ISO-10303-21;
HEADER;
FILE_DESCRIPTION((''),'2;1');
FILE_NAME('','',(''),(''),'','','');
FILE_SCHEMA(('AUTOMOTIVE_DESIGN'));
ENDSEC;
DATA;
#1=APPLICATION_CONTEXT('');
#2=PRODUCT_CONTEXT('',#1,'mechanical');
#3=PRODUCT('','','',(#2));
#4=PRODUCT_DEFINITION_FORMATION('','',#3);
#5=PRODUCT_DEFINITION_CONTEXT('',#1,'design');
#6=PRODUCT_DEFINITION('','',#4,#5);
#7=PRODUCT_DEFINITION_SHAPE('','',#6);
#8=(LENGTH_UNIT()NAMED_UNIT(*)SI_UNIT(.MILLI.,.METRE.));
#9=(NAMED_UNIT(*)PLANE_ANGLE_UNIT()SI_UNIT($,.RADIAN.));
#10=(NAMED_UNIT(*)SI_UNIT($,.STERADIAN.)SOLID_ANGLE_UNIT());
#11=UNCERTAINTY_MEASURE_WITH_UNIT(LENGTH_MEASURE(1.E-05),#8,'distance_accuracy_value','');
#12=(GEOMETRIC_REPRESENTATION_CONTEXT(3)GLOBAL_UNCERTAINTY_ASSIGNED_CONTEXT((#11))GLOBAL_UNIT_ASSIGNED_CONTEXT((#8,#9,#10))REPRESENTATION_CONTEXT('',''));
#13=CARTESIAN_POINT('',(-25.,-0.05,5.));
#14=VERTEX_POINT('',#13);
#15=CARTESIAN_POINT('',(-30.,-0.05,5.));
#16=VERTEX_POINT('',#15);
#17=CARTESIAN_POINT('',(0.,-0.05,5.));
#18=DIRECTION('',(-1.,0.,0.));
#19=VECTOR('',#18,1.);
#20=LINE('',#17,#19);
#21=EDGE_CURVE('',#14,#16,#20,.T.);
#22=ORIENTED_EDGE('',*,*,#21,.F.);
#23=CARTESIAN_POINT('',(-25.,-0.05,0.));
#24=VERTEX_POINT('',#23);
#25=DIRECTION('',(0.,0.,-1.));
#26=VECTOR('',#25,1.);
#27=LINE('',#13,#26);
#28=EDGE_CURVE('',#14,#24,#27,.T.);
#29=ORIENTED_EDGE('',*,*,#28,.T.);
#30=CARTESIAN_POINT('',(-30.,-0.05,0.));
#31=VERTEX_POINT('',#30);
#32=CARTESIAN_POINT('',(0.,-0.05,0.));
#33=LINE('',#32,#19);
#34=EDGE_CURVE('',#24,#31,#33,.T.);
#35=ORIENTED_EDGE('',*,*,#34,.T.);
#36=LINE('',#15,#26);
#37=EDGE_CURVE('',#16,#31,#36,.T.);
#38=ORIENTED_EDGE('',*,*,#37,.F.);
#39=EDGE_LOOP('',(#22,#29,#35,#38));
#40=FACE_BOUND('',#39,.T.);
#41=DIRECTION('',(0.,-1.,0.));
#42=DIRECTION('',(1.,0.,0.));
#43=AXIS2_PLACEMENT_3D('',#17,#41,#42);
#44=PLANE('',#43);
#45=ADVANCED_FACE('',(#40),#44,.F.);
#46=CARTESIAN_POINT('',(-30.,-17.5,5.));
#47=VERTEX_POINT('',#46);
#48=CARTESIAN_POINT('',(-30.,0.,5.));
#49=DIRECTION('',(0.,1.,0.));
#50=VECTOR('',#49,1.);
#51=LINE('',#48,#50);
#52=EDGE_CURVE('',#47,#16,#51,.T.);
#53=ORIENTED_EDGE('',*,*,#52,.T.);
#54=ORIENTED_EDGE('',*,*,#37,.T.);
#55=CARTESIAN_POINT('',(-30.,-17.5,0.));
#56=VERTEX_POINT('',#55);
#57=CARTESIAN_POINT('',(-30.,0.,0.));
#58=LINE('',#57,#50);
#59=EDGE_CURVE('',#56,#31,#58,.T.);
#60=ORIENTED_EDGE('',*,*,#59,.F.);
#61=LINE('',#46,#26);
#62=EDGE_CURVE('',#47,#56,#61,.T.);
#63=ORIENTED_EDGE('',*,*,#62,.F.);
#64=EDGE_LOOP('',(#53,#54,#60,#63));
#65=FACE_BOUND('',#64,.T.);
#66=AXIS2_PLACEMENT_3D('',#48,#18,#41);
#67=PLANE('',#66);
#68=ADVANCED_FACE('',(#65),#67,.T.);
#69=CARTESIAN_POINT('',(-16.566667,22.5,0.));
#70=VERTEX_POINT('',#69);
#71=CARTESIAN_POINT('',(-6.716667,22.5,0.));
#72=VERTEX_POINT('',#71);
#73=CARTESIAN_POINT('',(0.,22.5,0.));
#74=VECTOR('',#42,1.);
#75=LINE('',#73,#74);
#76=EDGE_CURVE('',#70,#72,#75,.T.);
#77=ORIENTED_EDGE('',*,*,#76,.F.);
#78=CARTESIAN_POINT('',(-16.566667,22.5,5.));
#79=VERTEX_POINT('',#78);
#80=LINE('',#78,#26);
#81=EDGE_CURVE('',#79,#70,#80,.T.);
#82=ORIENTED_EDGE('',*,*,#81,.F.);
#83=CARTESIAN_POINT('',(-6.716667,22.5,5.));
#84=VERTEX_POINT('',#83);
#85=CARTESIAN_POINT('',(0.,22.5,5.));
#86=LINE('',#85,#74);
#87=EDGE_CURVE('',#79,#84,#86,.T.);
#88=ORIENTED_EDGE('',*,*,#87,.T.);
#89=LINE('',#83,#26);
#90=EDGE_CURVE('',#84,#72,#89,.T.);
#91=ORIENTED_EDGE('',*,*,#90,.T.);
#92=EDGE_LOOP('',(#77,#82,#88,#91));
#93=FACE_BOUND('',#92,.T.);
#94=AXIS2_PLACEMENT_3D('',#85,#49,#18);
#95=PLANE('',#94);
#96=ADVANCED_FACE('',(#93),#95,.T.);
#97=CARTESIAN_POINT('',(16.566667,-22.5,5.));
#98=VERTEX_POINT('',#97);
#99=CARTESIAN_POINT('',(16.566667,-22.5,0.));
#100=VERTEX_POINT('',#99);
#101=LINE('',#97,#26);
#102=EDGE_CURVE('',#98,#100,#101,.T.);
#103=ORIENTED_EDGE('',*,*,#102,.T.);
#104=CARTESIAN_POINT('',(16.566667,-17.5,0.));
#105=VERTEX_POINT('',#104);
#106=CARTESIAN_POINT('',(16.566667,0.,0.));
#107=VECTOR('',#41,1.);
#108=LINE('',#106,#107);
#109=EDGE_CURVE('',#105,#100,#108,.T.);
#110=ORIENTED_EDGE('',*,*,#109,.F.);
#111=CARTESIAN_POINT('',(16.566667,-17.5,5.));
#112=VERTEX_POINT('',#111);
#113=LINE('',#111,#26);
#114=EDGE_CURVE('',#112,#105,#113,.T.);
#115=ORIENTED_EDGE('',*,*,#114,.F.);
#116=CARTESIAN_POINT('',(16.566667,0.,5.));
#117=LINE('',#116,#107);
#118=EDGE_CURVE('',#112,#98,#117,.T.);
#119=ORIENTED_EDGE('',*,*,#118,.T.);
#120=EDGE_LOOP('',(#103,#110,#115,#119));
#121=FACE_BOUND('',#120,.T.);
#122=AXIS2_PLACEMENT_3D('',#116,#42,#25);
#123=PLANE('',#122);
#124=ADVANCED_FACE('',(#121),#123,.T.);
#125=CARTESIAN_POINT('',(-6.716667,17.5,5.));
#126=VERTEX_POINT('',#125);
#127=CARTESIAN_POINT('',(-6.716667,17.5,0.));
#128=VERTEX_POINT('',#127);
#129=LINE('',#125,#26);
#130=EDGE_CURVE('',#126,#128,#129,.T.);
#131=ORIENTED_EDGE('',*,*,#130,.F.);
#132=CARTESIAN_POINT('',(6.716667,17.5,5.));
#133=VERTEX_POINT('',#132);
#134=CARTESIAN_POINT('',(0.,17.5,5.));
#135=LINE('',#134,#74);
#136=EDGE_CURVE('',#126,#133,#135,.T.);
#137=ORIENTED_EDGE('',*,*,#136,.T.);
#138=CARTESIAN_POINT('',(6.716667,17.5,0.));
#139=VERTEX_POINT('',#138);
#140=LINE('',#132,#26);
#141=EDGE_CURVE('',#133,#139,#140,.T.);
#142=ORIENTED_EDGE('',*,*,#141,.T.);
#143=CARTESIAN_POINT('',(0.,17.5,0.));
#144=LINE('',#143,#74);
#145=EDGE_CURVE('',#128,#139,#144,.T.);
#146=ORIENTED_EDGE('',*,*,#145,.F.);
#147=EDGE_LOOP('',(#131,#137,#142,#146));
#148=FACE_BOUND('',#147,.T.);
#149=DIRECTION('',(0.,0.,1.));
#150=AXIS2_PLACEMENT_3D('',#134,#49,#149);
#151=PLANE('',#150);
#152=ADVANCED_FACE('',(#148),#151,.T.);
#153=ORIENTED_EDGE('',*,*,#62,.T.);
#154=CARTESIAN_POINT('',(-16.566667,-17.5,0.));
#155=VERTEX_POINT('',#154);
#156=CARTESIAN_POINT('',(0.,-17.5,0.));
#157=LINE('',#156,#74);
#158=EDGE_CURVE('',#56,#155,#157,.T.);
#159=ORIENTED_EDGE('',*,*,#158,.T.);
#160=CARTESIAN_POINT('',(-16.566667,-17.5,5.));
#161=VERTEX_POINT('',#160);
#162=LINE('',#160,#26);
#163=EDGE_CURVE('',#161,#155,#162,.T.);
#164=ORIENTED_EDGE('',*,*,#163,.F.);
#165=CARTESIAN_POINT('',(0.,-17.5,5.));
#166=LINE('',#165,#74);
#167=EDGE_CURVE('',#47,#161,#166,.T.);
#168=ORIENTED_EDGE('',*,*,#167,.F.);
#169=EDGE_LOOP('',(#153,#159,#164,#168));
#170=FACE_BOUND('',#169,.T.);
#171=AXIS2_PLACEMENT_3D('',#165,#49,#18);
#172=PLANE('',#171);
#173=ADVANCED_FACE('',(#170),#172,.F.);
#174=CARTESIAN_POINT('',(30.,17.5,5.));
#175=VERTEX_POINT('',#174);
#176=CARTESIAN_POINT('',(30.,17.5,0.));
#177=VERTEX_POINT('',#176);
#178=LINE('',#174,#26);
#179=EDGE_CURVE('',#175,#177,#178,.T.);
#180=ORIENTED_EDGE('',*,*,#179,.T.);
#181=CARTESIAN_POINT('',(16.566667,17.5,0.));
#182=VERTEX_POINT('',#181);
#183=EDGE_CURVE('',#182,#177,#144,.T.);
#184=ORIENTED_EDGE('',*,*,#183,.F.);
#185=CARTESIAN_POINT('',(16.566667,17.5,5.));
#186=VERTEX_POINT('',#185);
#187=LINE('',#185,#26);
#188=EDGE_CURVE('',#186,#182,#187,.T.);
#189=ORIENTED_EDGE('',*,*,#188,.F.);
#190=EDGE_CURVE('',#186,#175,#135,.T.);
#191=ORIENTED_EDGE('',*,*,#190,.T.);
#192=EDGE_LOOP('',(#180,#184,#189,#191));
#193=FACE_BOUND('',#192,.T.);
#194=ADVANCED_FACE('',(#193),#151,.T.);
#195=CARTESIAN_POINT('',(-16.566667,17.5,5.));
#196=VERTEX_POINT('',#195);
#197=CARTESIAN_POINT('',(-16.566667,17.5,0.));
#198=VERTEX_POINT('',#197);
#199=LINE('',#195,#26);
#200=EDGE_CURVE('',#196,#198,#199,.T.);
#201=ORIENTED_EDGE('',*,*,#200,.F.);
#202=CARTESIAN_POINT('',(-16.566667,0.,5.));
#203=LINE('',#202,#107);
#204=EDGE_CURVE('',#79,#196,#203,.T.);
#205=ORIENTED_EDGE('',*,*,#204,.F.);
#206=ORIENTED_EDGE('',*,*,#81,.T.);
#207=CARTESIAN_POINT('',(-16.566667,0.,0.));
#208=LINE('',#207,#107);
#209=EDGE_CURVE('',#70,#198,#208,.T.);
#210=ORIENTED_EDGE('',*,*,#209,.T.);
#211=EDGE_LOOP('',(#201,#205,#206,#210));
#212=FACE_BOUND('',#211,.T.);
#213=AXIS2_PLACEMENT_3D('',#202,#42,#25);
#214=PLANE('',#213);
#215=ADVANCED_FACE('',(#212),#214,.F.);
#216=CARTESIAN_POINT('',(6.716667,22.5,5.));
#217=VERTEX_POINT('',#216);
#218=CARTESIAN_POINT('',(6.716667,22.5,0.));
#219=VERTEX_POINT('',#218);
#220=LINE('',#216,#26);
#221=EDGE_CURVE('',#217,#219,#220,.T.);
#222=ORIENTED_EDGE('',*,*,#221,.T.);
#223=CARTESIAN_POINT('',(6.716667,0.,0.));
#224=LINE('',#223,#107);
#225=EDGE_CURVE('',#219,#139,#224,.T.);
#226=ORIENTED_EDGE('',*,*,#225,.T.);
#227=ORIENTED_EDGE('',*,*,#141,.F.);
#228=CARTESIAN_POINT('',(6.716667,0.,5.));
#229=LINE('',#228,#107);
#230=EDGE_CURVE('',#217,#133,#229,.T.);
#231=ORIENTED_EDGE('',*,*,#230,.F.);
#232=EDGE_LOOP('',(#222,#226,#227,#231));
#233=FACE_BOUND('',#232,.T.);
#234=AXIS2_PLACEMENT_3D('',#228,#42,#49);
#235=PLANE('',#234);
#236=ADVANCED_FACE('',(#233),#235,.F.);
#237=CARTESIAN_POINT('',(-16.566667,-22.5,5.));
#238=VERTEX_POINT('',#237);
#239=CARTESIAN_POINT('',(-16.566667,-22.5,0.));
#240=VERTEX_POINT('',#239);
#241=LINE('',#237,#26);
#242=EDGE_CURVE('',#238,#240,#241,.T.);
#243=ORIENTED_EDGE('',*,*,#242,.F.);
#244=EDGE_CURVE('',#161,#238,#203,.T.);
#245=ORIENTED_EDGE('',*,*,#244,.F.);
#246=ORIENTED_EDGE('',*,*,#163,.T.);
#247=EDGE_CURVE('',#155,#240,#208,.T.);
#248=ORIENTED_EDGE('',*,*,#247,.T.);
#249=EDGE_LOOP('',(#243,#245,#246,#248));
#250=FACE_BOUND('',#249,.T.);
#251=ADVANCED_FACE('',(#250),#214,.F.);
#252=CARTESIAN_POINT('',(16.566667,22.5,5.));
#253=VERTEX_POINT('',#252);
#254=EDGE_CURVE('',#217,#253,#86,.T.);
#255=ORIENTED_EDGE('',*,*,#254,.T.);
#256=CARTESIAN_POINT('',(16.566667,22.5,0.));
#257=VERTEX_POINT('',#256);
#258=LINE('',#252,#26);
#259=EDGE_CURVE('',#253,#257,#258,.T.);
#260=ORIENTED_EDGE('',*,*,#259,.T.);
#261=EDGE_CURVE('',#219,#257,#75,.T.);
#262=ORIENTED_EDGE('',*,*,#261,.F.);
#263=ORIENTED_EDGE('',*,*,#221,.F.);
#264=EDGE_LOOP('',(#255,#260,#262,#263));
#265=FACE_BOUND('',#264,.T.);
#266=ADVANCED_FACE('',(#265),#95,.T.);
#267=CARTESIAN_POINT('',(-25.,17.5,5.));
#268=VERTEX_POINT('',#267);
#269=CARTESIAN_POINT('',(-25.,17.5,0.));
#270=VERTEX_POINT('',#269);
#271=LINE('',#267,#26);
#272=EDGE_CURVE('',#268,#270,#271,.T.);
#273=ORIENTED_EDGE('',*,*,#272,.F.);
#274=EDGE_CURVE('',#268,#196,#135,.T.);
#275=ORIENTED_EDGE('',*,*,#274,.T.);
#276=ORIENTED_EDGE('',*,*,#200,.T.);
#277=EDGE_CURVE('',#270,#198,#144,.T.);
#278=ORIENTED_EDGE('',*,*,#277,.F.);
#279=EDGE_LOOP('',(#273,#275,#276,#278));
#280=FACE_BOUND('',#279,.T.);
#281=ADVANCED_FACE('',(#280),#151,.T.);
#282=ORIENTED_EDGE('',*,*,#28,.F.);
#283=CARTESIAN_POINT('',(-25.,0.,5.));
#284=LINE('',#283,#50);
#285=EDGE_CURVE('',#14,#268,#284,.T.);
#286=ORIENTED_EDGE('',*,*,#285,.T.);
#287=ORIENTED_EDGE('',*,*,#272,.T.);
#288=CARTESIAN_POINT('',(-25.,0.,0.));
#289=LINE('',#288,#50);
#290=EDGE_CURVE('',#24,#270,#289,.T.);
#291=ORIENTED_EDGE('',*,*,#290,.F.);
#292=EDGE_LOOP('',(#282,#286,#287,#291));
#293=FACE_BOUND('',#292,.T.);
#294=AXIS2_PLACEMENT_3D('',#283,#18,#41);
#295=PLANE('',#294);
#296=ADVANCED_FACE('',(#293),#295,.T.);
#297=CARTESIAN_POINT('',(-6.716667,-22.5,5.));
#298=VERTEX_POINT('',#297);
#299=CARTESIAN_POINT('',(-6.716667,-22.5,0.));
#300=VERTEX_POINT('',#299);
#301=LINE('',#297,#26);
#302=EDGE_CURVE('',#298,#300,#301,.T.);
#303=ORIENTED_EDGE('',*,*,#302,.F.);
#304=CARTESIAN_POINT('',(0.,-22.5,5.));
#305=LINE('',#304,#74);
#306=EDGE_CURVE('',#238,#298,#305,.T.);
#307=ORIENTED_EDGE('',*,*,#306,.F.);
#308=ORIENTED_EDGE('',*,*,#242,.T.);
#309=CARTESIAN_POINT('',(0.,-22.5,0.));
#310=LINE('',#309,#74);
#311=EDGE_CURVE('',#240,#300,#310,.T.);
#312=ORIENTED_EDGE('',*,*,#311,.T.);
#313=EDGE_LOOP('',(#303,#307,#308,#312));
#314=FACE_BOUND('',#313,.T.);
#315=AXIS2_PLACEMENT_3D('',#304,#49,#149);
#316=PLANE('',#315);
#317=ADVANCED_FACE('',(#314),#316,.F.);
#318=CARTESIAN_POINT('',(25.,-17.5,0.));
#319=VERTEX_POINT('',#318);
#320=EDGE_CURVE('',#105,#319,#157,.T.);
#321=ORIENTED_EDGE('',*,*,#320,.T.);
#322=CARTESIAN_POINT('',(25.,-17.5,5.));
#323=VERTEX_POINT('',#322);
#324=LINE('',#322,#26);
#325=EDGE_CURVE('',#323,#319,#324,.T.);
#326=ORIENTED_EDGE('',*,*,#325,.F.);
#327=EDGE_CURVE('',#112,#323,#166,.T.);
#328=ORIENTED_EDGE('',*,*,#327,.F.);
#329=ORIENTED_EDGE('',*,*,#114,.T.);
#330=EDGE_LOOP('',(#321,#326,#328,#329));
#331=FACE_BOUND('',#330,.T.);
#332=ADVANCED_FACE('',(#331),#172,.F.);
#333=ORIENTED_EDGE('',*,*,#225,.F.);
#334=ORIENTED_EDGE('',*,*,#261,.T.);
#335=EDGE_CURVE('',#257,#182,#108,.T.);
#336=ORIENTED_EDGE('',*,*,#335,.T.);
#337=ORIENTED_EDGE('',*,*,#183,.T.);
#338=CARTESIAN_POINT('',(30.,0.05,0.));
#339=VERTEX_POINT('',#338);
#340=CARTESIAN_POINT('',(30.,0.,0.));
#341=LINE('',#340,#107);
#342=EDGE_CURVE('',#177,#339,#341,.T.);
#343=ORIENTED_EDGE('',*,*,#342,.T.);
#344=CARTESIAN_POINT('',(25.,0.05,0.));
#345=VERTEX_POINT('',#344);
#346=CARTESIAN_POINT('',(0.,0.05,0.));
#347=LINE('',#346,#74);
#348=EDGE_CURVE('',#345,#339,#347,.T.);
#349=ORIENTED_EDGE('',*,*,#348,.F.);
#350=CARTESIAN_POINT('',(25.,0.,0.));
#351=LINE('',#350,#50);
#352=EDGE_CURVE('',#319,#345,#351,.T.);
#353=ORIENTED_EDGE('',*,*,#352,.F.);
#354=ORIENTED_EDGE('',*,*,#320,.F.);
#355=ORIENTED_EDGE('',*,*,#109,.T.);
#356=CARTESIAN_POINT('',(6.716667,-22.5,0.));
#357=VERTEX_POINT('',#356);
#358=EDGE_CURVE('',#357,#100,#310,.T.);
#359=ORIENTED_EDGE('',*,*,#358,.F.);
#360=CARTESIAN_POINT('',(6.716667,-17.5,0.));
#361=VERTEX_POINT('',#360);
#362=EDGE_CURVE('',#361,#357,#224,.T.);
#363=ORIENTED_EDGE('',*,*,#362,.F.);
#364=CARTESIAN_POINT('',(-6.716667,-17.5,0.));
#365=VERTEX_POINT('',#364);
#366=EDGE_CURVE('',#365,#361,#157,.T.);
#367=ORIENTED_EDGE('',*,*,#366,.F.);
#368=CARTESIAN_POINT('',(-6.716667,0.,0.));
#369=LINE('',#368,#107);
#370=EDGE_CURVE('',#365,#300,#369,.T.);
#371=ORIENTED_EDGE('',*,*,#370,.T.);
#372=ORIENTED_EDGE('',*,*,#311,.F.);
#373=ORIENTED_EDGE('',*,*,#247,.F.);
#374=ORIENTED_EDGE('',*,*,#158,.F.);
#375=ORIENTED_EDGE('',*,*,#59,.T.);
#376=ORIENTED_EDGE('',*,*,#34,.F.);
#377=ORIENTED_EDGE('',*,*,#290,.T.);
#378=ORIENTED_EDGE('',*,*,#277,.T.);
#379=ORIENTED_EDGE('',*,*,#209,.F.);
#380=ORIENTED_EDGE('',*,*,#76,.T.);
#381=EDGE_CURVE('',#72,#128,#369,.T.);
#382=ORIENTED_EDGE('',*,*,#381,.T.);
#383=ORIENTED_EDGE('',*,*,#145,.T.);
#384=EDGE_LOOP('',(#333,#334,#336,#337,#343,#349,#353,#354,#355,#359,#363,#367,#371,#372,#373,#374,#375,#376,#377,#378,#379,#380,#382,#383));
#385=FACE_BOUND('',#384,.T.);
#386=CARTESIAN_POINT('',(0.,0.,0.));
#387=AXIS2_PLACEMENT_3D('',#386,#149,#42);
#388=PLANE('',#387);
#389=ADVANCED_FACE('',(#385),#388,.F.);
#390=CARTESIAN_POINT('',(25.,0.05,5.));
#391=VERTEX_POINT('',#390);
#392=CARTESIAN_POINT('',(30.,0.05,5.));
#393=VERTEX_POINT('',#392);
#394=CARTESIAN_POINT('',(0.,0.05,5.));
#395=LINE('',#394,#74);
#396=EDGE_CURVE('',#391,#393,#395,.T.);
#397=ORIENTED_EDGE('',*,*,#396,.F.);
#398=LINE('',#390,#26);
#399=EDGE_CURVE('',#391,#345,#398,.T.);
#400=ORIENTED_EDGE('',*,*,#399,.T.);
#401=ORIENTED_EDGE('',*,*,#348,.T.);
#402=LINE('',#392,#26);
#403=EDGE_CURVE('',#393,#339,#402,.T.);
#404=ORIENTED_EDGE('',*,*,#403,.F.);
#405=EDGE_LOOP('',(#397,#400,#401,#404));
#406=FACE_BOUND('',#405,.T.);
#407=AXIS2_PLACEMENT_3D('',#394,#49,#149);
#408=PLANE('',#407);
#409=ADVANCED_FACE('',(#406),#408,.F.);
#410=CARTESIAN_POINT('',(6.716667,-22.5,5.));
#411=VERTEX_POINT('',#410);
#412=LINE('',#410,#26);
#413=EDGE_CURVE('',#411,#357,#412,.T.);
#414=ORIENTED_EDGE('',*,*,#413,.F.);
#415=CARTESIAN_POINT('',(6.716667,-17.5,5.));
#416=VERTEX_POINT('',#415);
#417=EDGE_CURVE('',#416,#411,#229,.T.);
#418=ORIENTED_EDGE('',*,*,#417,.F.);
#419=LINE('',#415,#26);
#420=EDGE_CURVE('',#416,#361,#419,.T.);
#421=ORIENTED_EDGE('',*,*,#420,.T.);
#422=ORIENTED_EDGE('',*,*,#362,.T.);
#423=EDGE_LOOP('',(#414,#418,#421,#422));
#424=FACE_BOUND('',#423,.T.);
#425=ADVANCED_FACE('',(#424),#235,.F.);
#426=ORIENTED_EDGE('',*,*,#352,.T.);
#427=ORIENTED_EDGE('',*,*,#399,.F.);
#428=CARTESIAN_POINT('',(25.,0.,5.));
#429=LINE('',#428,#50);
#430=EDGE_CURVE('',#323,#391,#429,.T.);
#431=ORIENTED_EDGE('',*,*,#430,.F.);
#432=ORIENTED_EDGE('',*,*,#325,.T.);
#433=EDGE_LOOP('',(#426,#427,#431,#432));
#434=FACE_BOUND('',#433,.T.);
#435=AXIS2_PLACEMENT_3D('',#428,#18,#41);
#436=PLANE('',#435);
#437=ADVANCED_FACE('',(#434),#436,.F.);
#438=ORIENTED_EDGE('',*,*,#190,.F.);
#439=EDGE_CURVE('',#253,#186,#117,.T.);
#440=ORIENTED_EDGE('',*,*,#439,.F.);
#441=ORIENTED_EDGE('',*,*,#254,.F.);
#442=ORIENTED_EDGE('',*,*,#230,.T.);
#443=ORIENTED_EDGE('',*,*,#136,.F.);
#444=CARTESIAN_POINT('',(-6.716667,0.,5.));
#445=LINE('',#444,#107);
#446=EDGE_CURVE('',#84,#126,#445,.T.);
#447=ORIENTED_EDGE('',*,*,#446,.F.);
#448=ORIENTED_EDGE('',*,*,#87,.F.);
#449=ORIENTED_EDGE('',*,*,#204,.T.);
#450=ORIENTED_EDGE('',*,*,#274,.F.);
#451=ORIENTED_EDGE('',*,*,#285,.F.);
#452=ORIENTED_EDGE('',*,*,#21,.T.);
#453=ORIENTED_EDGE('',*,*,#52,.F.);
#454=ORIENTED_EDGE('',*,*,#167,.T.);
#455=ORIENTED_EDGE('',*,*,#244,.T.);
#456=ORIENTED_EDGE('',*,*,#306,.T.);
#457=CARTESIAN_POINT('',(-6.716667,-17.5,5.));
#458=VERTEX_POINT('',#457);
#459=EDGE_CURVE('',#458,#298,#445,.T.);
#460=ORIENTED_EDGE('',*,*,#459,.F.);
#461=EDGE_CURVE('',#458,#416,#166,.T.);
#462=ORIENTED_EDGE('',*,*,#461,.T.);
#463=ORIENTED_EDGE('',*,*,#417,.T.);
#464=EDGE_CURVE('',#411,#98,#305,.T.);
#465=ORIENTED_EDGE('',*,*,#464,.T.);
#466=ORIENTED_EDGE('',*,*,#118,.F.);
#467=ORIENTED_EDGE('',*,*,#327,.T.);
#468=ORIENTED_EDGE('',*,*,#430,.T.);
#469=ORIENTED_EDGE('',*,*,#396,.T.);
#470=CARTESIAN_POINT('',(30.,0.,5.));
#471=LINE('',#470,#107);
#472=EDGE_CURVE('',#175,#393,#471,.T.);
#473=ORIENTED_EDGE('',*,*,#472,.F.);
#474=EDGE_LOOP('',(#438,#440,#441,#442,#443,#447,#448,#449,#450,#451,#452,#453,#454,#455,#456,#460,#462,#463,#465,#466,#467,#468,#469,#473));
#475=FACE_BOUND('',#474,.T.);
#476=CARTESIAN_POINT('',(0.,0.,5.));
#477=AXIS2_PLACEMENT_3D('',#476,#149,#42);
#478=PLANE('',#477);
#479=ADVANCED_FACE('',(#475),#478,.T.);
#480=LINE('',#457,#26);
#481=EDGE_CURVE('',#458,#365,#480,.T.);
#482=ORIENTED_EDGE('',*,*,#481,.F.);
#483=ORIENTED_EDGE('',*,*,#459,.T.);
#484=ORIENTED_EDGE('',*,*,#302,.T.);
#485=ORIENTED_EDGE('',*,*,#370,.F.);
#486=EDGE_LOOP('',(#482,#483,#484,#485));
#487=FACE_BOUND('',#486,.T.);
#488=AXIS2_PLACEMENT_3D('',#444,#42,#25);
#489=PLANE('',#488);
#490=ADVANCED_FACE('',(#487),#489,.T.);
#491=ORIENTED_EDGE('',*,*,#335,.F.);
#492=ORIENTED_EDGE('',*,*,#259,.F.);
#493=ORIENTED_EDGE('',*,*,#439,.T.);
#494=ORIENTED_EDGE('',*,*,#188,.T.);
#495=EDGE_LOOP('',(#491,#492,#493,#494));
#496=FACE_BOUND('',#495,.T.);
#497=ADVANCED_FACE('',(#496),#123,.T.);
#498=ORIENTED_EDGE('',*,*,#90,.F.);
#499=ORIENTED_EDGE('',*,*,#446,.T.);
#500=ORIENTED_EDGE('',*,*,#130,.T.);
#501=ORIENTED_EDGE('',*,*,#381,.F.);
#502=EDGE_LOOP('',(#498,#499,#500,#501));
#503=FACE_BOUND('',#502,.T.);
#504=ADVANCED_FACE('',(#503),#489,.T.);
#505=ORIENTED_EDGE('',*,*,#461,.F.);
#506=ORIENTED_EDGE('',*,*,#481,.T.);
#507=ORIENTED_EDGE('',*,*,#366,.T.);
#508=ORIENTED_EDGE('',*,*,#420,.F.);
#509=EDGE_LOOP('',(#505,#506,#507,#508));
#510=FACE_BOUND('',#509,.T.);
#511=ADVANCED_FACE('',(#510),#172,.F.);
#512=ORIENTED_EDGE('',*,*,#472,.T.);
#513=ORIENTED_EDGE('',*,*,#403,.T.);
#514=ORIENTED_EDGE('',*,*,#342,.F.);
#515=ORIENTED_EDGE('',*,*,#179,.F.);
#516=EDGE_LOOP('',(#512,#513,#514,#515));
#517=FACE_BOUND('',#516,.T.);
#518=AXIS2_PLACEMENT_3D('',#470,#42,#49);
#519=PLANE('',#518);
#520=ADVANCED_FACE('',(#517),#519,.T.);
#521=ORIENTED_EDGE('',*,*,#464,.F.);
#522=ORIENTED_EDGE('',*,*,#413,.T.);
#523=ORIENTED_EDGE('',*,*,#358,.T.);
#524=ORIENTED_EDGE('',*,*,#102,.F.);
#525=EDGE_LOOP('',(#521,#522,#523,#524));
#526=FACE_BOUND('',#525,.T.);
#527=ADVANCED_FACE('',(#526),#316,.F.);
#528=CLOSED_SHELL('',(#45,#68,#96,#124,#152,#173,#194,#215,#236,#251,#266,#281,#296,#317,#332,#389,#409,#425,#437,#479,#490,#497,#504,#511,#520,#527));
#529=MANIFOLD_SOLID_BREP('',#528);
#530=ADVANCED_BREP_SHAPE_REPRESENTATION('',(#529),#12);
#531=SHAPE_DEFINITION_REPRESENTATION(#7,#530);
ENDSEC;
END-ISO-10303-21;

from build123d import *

# Parameters (mm, degrees)
SKETCH2_W           = 50
SKETCH2_H           = 35
SKETCH2_W_2         = 5
SKETCH2_H_2         = 17.45
SKETCH2_W_3         = 9.85
SKETCH2_H_3         = 5
BOSS_EXTRUDE1_DEPTH = 5


with BuildPart() as part:
    # Sketch2 → Boss-Extrude1 (new body)
    with BuildSketch(Plane.XY):
        Rectangle(SKETCH2_W, SKETCH2_H)
        with Locations((-27.5, -8.775)):
            Rectangle(SKETCH2_W_2, SKETCH2_H_2)
        with Locations((-11.641666667, 20)):
            Rectangle(SKETCH2_W_3, SKETCH2_H_3)
        with Locations((11.641666667, 20)):
            Rectangle(SKETCH2_W_3, SKETCH2_H_3)
        with Locations((27.5, 8.775)):
            Rectangle(SKETCH2_W_2, SKETCH2_H_2)
        with Locations((11.641666667, -20)):
            Rectangle(SKETCH2_W_3, SKETCH2_H_3)
        with Locations((-11.641666667, -20)):
            Rectangle(SKETCH2_W_3, SKETCH2_H_3)
    extrude(amount=BOSS_EXTRUDE1_DEPTH)


solid = part.part
